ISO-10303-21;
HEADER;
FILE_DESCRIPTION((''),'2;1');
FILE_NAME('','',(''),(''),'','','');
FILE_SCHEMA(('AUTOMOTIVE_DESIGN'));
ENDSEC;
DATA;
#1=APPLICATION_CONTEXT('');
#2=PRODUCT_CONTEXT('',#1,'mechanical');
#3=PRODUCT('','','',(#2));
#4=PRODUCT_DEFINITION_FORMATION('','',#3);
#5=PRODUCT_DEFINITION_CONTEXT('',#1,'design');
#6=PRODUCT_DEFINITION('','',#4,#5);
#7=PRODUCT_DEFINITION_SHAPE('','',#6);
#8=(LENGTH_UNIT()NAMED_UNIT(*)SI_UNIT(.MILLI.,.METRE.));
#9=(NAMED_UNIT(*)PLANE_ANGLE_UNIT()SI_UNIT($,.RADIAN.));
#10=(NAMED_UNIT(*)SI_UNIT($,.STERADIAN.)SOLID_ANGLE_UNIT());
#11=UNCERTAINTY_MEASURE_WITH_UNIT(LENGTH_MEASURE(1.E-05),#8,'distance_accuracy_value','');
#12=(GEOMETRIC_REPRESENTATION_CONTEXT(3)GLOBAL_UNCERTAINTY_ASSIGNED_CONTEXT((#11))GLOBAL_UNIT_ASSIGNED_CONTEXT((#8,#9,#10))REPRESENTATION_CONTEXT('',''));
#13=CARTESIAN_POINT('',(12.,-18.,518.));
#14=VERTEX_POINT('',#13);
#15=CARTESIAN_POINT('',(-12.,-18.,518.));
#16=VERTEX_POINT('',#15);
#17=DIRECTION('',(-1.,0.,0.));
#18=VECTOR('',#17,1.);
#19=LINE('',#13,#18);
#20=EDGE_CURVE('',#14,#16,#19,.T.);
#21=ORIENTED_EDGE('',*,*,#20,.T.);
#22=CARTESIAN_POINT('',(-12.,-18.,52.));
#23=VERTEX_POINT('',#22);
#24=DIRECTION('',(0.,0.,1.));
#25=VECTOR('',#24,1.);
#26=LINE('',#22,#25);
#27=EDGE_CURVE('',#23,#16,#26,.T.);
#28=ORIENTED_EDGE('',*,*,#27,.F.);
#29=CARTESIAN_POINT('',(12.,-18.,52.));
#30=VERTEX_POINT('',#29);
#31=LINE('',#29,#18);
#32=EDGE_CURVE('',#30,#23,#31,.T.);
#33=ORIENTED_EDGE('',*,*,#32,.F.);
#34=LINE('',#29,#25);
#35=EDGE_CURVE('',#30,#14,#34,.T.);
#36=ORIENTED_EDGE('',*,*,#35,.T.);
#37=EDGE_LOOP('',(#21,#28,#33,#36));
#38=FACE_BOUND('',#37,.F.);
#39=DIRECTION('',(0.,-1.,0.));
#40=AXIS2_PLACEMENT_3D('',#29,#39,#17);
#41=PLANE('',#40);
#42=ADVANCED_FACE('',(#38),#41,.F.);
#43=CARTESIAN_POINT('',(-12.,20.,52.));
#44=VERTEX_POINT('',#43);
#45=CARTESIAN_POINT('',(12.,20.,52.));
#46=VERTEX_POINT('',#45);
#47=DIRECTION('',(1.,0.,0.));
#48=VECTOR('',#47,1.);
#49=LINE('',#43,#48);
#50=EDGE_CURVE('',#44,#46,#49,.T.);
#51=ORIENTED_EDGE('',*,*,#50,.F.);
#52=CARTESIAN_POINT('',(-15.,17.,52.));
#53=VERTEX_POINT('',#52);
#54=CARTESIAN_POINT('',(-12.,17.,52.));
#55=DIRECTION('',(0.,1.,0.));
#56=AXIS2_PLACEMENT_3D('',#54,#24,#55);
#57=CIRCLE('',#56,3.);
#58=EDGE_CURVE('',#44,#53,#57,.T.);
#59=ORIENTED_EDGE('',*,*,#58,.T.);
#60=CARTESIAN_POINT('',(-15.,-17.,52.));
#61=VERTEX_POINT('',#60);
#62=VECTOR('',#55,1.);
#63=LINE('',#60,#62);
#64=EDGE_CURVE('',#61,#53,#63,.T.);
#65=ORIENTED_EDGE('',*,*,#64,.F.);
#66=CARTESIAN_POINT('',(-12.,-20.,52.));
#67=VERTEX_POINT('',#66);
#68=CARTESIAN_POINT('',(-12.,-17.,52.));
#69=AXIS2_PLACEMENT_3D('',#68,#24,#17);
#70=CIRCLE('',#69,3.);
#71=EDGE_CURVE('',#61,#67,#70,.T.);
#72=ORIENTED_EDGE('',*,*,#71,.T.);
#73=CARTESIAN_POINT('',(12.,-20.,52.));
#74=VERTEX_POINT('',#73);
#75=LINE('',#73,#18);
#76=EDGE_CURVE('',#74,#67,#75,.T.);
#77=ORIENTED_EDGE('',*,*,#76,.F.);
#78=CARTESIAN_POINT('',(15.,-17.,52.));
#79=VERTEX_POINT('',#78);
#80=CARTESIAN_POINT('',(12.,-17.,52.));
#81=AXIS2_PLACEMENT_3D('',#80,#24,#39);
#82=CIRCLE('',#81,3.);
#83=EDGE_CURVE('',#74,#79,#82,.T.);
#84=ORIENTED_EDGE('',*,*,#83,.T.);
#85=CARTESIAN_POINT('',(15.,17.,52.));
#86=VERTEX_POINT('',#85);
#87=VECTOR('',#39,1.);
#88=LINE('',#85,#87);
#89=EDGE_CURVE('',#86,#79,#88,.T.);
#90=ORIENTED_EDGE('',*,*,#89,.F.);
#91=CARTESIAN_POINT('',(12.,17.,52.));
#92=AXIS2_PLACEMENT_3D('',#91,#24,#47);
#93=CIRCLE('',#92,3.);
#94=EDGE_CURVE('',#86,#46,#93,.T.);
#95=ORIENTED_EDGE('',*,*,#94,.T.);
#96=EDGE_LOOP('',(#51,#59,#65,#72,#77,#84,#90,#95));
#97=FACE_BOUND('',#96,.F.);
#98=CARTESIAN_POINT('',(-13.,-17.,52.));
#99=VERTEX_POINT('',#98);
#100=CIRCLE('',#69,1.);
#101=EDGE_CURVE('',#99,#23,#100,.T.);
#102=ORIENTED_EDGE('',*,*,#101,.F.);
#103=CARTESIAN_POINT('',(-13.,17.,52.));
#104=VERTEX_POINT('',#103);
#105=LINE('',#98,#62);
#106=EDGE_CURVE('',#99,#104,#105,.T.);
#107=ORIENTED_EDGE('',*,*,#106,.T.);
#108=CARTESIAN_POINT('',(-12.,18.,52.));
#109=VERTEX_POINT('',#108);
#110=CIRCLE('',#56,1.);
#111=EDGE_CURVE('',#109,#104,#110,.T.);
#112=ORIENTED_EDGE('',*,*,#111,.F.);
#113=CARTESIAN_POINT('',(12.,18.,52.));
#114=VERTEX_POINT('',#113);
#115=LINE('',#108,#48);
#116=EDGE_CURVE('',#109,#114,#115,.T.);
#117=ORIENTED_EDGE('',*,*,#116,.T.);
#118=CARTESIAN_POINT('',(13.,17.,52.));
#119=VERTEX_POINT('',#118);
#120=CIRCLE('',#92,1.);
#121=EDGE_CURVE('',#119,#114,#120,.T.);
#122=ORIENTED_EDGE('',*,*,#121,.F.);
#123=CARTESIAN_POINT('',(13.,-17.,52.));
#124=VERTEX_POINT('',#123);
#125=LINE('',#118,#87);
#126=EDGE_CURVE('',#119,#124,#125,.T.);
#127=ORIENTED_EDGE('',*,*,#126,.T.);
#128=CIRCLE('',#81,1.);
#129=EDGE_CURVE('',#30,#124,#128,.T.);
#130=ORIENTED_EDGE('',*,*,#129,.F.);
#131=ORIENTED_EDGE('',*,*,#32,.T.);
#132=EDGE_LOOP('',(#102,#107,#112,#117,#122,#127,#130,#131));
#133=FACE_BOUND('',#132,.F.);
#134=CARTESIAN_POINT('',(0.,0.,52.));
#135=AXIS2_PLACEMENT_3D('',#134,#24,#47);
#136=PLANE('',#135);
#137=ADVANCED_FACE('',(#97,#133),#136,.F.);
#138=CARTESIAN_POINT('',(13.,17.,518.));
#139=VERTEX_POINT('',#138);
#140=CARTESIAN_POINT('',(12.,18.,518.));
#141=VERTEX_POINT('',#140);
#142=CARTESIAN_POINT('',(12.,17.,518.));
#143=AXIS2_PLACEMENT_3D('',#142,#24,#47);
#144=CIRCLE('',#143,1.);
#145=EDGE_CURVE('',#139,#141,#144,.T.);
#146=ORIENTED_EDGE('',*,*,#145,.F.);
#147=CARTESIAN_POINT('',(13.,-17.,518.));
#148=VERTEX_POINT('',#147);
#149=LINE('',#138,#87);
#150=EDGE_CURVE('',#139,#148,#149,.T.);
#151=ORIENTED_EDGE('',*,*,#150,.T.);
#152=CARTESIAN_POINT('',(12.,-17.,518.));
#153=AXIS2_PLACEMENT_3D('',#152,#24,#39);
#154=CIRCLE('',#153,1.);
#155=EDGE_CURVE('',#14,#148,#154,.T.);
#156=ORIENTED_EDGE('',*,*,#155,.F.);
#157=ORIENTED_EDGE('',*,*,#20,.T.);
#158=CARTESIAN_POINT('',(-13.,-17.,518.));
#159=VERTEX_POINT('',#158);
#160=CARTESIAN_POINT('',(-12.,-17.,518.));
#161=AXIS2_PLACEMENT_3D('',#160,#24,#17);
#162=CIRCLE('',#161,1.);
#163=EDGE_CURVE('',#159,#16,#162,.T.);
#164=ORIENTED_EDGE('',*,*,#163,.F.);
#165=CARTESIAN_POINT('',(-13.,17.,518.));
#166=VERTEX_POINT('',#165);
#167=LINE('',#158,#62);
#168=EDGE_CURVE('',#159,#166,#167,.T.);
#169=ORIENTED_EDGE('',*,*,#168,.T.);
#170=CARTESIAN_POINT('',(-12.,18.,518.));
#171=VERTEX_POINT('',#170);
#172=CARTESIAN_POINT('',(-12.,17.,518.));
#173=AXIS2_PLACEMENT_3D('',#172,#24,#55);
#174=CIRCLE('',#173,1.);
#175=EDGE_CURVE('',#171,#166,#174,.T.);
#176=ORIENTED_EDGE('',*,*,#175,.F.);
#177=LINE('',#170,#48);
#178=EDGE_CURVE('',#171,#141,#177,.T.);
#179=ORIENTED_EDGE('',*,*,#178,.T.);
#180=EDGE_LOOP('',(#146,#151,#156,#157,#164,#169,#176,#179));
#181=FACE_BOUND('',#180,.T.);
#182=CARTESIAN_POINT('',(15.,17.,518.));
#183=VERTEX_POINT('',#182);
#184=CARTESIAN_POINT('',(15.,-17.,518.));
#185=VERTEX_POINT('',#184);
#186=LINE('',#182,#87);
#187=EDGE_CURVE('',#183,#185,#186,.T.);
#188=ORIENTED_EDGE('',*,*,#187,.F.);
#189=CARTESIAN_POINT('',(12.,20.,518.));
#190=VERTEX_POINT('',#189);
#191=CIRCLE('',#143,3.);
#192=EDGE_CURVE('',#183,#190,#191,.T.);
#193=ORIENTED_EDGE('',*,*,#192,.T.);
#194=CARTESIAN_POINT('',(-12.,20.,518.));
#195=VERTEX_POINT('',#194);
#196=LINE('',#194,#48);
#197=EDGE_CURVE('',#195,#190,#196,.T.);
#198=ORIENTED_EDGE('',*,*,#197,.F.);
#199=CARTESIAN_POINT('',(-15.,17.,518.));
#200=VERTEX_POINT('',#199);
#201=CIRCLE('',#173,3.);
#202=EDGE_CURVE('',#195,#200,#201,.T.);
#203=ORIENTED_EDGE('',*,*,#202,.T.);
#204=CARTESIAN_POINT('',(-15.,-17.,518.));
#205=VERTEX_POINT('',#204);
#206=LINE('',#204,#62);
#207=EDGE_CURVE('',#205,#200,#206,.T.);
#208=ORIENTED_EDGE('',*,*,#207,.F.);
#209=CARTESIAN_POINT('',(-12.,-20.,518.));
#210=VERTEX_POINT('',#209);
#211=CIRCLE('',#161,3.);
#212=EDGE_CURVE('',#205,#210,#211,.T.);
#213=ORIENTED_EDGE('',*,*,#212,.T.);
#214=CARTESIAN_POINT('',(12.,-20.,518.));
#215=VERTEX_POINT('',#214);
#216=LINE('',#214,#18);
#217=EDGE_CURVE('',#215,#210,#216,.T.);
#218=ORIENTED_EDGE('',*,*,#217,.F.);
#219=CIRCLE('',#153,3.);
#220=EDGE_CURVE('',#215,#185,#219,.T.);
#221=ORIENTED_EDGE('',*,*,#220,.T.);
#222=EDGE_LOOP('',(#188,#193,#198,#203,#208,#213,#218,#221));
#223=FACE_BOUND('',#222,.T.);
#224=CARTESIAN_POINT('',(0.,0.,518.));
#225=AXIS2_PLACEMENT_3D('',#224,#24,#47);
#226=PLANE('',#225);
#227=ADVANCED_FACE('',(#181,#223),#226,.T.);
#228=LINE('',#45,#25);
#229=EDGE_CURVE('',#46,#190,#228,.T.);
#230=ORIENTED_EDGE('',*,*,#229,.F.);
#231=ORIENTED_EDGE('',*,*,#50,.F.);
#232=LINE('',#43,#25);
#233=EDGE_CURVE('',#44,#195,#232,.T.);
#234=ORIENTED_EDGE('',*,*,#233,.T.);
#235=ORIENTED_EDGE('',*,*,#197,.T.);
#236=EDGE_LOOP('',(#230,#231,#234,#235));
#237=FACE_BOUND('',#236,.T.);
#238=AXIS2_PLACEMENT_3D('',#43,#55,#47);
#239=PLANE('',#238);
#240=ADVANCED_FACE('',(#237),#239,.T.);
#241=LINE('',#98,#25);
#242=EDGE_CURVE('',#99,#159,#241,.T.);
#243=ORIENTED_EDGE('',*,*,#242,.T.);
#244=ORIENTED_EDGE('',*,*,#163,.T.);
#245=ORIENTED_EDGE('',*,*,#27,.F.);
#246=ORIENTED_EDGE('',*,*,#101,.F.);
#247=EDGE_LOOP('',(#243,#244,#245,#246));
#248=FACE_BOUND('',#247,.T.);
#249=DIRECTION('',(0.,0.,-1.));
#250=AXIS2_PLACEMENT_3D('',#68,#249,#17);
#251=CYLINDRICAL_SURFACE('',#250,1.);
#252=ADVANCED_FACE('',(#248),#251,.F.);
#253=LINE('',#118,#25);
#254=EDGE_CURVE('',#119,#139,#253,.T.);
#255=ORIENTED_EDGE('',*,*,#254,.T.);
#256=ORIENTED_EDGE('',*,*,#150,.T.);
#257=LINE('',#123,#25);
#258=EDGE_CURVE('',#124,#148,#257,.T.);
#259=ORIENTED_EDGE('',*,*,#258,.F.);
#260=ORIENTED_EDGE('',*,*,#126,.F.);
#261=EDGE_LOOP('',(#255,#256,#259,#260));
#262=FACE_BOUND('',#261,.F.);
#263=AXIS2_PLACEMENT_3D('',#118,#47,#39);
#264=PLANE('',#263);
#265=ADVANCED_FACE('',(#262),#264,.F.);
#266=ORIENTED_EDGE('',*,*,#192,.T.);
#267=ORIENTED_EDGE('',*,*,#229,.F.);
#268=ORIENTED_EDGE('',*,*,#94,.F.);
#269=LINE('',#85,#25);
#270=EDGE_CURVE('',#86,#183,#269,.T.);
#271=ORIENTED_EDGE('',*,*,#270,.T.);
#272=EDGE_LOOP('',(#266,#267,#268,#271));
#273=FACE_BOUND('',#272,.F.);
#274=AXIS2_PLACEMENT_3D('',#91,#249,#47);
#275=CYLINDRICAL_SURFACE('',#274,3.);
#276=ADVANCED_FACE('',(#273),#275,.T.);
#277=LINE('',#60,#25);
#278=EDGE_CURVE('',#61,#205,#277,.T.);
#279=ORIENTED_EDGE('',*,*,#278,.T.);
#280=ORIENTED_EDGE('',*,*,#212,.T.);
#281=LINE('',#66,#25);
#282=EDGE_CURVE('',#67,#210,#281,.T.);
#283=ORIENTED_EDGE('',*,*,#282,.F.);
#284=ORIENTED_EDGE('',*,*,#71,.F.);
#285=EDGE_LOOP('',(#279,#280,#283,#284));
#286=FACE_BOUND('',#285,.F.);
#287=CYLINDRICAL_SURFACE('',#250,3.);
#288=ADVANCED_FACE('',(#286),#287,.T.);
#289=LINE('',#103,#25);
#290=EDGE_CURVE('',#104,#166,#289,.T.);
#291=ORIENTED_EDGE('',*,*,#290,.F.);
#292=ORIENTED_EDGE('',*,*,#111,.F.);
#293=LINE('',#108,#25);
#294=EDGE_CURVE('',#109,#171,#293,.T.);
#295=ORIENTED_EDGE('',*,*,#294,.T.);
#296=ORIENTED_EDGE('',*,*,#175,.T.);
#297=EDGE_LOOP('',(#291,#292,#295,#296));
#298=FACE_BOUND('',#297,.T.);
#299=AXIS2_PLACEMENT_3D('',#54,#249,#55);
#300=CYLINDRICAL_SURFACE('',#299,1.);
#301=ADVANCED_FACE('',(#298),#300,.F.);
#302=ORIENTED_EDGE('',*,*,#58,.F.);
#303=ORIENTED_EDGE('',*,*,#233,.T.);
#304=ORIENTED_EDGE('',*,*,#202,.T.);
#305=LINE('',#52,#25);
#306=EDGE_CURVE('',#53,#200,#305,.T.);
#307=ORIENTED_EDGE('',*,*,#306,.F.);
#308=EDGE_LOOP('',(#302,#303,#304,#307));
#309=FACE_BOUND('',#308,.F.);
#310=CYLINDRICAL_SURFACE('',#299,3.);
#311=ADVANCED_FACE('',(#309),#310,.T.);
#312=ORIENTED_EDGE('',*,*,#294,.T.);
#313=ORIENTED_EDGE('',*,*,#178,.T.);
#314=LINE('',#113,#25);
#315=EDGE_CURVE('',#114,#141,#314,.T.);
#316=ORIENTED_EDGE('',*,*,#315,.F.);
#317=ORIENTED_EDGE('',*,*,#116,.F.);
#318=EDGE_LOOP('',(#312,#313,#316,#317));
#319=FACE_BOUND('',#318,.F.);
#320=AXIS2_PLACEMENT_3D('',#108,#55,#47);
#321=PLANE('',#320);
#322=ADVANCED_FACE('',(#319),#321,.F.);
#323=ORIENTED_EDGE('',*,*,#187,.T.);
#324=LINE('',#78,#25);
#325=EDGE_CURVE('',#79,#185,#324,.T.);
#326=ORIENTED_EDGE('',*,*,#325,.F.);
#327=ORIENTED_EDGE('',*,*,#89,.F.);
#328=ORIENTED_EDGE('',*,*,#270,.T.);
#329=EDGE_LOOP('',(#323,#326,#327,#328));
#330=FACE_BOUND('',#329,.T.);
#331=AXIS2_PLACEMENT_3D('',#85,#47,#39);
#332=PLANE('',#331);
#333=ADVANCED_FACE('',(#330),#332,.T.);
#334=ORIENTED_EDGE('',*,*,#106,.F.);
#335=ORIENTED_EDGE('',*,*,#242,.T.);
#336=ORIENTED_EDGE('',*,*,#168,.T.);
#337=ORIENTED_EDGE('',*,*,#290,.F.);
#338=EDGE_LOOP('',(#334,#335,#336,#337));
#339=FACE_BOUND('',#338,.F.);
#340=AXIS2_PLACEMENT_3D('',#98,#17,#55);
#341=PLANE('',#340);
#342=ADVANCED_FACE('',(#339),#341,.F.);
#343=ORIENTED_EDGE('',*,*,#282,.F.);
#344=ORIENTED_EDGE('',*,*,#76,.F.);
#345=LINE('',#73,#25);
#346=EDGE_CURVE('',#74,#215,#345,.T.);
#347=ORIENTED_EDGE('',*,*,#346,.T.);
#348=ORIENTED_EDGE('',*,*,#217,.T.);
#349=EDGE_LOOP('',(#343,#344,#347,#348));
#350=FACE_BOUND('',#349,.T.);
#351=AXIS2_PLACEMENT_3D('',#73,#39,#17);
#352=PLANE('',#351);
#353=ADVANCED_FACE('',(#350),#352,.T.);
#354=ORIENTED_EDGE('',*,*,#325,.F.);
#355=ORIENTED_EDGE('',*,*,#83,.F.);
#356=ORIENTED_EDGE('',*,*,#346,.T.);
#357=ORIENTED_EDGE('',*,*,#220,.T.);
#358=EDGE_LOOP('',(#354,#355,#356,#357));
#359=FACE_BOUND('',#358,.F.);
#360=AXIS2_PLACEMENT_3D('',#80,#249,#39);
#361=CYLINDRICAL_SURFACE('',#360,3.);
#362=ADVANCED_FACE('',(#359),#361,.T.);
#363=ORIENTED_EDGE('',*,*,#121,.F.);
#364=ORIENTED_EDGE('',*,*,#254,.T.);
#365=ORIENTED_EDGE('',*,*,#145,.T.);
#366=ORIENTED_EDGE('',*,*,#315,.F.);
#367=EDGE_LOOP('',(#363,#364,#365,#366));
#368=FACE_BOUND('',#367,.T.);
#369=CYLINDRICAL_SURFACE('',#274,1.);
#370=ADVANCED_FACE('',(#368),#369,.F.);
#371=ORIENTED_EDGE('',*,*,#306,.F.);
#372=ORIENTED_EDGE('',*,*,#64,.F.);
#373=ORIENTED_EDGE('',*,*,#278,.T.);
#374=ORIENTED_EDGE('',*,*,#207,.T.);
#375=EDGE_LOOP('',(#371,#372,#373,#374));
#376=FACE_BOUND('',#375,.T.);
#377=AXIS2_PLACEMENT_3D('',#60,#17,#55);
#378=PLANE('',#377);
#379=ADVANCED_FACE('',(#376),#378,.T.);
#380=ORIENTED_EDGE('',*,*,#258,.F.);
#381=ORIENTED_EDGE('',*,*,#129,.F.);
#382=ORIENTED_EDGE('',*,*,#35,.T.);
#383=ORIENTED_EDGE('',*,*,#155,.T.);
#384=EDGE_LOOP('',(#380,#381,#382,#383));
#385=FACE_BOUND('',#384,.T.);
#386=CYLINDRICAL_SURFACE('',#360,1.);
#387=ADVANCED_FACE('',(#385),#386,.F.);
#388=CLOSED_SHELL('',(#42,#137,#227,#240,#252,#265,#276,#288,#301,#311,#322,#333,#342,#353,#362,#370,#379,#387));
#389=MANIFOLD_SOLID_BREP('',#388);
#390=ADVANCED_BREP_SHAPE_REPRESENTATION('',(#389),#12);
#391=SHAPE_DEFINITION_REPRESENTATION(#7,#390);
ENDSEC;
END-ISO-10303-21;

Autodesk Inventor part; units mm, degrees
ref_plane "Start plane" through (0, 0, 52) normal (0, 0, 1) x (1, 0, 0)
ref_plane "End plane" through (0, 0, 518) normal (0, 0, 1) x (1, 0, 0)
sketch "Sketch" plane through (0, 0, 0) normal (0, 0, 1) x (1, 0, 0)
  line L0 (-15, -17) -> (-15, 17)
  line L1 (-12, 20) -> (12, 20)
  line L2 (15, 17) -> (15, -17)
  line L3 (12, -20) -> (-12, -20)
  arc A0 (-15, -17) -> (-12, -20) centre (-12, -17) ccw
  arc A1 (-12, 20) -> (-15, 17) centre (-12, 17) ccw
  arc A2 (15, 17) -> (12, 20) centre (12, 17) ccw
  arc A3 (12, -20) -> (15, -17) centre (12, -17) ccw
  arc A4 (-12, 18) -> (-13, 17) centre (-12, 17) ccw
  line L4 (-12, 18) -> (12, 18)
  arc A5 (13, 17) -> (12, 18) centre (12, 17) ccw
  line L5 (13, 17) -> (13, -17)
  arc A6 (12, -18) -> (13, -17) centre (12, -17) ccw
  line L6 (12, -18) -> (-12, -18)
  arc A7 (-13, -17) -> (-12, -18) centre (-12, -17) ccw
  line L7 (-13, -17) -> (-13, 17)
  line L8 (0, 28.8698) -> (0, -28.8698) construction
  line L9 (-21.8698, 0) -> (21.8698, 0) construction
  dimension "d7" = 3
  dimension "d10" = 40
  dimension "d11" = 30
  dimension "d12" = 2
  dimension "d15" = 20
  dimension "d16" = 15
extrude "Body" add sketch "Sketch" along normal up to surface (466 mm away) from surface at 52
sketch "Sketch3" plane through (0, 0, 0) normal (0, 0, 1) x (1, 0, 0)
  line L0 (0, 0) -> (10, 0)
ref_plane "Work Plane3" through (0, 0, 0) normal (0, -1, 0) x (1, 0, 0)
sketch "Sketch4" plane through (0, 0, 0) normal (0, -1, 0) x (1, 0, 0)
  line L0 (-2, 52) -> (12, 52)
  line L1 (-2, 518) -> (12, 518)
  dimension "d18" = 466
ref_plane "Work Plane5" through (-390, -17, 52) normal (0, 0, -1) x (-1, 0, 0)
split "Split2" plane through (-390, -17, 52) removes the side toward (0, 0, -1)
equation "\"d7\" = G_IR"
equation "\"d10\" = G_H"
equation "\"d11\" = G_W"
equation "\"d12\" = G_T"
equation "\"d15\" = 0.5 * d10"
equation "\"d16\" = 0.5 * d11"
equation "\"d3\" = G_L"
equation "\"G_W\" = 30"
equation "\"G_H\" = 40"
equation "\"G_T\" = 2"
equation "\"G_IR\" = 3"
equation "\"G_L\" = d18"
equation "\"G_OFFSET_START\" = -52"
equation "\"G_OFFSET_END\" = 0"
equation "\"d13\" = -G_OFFSET_START"
equation "\"d14\" = G_OFFSET_END + B_L"
equation "\"B_L\" = 518"
properties part number "UNI EN 10305-5 - 40 x 30 x 2  - 466" material "Steel, Mild"
